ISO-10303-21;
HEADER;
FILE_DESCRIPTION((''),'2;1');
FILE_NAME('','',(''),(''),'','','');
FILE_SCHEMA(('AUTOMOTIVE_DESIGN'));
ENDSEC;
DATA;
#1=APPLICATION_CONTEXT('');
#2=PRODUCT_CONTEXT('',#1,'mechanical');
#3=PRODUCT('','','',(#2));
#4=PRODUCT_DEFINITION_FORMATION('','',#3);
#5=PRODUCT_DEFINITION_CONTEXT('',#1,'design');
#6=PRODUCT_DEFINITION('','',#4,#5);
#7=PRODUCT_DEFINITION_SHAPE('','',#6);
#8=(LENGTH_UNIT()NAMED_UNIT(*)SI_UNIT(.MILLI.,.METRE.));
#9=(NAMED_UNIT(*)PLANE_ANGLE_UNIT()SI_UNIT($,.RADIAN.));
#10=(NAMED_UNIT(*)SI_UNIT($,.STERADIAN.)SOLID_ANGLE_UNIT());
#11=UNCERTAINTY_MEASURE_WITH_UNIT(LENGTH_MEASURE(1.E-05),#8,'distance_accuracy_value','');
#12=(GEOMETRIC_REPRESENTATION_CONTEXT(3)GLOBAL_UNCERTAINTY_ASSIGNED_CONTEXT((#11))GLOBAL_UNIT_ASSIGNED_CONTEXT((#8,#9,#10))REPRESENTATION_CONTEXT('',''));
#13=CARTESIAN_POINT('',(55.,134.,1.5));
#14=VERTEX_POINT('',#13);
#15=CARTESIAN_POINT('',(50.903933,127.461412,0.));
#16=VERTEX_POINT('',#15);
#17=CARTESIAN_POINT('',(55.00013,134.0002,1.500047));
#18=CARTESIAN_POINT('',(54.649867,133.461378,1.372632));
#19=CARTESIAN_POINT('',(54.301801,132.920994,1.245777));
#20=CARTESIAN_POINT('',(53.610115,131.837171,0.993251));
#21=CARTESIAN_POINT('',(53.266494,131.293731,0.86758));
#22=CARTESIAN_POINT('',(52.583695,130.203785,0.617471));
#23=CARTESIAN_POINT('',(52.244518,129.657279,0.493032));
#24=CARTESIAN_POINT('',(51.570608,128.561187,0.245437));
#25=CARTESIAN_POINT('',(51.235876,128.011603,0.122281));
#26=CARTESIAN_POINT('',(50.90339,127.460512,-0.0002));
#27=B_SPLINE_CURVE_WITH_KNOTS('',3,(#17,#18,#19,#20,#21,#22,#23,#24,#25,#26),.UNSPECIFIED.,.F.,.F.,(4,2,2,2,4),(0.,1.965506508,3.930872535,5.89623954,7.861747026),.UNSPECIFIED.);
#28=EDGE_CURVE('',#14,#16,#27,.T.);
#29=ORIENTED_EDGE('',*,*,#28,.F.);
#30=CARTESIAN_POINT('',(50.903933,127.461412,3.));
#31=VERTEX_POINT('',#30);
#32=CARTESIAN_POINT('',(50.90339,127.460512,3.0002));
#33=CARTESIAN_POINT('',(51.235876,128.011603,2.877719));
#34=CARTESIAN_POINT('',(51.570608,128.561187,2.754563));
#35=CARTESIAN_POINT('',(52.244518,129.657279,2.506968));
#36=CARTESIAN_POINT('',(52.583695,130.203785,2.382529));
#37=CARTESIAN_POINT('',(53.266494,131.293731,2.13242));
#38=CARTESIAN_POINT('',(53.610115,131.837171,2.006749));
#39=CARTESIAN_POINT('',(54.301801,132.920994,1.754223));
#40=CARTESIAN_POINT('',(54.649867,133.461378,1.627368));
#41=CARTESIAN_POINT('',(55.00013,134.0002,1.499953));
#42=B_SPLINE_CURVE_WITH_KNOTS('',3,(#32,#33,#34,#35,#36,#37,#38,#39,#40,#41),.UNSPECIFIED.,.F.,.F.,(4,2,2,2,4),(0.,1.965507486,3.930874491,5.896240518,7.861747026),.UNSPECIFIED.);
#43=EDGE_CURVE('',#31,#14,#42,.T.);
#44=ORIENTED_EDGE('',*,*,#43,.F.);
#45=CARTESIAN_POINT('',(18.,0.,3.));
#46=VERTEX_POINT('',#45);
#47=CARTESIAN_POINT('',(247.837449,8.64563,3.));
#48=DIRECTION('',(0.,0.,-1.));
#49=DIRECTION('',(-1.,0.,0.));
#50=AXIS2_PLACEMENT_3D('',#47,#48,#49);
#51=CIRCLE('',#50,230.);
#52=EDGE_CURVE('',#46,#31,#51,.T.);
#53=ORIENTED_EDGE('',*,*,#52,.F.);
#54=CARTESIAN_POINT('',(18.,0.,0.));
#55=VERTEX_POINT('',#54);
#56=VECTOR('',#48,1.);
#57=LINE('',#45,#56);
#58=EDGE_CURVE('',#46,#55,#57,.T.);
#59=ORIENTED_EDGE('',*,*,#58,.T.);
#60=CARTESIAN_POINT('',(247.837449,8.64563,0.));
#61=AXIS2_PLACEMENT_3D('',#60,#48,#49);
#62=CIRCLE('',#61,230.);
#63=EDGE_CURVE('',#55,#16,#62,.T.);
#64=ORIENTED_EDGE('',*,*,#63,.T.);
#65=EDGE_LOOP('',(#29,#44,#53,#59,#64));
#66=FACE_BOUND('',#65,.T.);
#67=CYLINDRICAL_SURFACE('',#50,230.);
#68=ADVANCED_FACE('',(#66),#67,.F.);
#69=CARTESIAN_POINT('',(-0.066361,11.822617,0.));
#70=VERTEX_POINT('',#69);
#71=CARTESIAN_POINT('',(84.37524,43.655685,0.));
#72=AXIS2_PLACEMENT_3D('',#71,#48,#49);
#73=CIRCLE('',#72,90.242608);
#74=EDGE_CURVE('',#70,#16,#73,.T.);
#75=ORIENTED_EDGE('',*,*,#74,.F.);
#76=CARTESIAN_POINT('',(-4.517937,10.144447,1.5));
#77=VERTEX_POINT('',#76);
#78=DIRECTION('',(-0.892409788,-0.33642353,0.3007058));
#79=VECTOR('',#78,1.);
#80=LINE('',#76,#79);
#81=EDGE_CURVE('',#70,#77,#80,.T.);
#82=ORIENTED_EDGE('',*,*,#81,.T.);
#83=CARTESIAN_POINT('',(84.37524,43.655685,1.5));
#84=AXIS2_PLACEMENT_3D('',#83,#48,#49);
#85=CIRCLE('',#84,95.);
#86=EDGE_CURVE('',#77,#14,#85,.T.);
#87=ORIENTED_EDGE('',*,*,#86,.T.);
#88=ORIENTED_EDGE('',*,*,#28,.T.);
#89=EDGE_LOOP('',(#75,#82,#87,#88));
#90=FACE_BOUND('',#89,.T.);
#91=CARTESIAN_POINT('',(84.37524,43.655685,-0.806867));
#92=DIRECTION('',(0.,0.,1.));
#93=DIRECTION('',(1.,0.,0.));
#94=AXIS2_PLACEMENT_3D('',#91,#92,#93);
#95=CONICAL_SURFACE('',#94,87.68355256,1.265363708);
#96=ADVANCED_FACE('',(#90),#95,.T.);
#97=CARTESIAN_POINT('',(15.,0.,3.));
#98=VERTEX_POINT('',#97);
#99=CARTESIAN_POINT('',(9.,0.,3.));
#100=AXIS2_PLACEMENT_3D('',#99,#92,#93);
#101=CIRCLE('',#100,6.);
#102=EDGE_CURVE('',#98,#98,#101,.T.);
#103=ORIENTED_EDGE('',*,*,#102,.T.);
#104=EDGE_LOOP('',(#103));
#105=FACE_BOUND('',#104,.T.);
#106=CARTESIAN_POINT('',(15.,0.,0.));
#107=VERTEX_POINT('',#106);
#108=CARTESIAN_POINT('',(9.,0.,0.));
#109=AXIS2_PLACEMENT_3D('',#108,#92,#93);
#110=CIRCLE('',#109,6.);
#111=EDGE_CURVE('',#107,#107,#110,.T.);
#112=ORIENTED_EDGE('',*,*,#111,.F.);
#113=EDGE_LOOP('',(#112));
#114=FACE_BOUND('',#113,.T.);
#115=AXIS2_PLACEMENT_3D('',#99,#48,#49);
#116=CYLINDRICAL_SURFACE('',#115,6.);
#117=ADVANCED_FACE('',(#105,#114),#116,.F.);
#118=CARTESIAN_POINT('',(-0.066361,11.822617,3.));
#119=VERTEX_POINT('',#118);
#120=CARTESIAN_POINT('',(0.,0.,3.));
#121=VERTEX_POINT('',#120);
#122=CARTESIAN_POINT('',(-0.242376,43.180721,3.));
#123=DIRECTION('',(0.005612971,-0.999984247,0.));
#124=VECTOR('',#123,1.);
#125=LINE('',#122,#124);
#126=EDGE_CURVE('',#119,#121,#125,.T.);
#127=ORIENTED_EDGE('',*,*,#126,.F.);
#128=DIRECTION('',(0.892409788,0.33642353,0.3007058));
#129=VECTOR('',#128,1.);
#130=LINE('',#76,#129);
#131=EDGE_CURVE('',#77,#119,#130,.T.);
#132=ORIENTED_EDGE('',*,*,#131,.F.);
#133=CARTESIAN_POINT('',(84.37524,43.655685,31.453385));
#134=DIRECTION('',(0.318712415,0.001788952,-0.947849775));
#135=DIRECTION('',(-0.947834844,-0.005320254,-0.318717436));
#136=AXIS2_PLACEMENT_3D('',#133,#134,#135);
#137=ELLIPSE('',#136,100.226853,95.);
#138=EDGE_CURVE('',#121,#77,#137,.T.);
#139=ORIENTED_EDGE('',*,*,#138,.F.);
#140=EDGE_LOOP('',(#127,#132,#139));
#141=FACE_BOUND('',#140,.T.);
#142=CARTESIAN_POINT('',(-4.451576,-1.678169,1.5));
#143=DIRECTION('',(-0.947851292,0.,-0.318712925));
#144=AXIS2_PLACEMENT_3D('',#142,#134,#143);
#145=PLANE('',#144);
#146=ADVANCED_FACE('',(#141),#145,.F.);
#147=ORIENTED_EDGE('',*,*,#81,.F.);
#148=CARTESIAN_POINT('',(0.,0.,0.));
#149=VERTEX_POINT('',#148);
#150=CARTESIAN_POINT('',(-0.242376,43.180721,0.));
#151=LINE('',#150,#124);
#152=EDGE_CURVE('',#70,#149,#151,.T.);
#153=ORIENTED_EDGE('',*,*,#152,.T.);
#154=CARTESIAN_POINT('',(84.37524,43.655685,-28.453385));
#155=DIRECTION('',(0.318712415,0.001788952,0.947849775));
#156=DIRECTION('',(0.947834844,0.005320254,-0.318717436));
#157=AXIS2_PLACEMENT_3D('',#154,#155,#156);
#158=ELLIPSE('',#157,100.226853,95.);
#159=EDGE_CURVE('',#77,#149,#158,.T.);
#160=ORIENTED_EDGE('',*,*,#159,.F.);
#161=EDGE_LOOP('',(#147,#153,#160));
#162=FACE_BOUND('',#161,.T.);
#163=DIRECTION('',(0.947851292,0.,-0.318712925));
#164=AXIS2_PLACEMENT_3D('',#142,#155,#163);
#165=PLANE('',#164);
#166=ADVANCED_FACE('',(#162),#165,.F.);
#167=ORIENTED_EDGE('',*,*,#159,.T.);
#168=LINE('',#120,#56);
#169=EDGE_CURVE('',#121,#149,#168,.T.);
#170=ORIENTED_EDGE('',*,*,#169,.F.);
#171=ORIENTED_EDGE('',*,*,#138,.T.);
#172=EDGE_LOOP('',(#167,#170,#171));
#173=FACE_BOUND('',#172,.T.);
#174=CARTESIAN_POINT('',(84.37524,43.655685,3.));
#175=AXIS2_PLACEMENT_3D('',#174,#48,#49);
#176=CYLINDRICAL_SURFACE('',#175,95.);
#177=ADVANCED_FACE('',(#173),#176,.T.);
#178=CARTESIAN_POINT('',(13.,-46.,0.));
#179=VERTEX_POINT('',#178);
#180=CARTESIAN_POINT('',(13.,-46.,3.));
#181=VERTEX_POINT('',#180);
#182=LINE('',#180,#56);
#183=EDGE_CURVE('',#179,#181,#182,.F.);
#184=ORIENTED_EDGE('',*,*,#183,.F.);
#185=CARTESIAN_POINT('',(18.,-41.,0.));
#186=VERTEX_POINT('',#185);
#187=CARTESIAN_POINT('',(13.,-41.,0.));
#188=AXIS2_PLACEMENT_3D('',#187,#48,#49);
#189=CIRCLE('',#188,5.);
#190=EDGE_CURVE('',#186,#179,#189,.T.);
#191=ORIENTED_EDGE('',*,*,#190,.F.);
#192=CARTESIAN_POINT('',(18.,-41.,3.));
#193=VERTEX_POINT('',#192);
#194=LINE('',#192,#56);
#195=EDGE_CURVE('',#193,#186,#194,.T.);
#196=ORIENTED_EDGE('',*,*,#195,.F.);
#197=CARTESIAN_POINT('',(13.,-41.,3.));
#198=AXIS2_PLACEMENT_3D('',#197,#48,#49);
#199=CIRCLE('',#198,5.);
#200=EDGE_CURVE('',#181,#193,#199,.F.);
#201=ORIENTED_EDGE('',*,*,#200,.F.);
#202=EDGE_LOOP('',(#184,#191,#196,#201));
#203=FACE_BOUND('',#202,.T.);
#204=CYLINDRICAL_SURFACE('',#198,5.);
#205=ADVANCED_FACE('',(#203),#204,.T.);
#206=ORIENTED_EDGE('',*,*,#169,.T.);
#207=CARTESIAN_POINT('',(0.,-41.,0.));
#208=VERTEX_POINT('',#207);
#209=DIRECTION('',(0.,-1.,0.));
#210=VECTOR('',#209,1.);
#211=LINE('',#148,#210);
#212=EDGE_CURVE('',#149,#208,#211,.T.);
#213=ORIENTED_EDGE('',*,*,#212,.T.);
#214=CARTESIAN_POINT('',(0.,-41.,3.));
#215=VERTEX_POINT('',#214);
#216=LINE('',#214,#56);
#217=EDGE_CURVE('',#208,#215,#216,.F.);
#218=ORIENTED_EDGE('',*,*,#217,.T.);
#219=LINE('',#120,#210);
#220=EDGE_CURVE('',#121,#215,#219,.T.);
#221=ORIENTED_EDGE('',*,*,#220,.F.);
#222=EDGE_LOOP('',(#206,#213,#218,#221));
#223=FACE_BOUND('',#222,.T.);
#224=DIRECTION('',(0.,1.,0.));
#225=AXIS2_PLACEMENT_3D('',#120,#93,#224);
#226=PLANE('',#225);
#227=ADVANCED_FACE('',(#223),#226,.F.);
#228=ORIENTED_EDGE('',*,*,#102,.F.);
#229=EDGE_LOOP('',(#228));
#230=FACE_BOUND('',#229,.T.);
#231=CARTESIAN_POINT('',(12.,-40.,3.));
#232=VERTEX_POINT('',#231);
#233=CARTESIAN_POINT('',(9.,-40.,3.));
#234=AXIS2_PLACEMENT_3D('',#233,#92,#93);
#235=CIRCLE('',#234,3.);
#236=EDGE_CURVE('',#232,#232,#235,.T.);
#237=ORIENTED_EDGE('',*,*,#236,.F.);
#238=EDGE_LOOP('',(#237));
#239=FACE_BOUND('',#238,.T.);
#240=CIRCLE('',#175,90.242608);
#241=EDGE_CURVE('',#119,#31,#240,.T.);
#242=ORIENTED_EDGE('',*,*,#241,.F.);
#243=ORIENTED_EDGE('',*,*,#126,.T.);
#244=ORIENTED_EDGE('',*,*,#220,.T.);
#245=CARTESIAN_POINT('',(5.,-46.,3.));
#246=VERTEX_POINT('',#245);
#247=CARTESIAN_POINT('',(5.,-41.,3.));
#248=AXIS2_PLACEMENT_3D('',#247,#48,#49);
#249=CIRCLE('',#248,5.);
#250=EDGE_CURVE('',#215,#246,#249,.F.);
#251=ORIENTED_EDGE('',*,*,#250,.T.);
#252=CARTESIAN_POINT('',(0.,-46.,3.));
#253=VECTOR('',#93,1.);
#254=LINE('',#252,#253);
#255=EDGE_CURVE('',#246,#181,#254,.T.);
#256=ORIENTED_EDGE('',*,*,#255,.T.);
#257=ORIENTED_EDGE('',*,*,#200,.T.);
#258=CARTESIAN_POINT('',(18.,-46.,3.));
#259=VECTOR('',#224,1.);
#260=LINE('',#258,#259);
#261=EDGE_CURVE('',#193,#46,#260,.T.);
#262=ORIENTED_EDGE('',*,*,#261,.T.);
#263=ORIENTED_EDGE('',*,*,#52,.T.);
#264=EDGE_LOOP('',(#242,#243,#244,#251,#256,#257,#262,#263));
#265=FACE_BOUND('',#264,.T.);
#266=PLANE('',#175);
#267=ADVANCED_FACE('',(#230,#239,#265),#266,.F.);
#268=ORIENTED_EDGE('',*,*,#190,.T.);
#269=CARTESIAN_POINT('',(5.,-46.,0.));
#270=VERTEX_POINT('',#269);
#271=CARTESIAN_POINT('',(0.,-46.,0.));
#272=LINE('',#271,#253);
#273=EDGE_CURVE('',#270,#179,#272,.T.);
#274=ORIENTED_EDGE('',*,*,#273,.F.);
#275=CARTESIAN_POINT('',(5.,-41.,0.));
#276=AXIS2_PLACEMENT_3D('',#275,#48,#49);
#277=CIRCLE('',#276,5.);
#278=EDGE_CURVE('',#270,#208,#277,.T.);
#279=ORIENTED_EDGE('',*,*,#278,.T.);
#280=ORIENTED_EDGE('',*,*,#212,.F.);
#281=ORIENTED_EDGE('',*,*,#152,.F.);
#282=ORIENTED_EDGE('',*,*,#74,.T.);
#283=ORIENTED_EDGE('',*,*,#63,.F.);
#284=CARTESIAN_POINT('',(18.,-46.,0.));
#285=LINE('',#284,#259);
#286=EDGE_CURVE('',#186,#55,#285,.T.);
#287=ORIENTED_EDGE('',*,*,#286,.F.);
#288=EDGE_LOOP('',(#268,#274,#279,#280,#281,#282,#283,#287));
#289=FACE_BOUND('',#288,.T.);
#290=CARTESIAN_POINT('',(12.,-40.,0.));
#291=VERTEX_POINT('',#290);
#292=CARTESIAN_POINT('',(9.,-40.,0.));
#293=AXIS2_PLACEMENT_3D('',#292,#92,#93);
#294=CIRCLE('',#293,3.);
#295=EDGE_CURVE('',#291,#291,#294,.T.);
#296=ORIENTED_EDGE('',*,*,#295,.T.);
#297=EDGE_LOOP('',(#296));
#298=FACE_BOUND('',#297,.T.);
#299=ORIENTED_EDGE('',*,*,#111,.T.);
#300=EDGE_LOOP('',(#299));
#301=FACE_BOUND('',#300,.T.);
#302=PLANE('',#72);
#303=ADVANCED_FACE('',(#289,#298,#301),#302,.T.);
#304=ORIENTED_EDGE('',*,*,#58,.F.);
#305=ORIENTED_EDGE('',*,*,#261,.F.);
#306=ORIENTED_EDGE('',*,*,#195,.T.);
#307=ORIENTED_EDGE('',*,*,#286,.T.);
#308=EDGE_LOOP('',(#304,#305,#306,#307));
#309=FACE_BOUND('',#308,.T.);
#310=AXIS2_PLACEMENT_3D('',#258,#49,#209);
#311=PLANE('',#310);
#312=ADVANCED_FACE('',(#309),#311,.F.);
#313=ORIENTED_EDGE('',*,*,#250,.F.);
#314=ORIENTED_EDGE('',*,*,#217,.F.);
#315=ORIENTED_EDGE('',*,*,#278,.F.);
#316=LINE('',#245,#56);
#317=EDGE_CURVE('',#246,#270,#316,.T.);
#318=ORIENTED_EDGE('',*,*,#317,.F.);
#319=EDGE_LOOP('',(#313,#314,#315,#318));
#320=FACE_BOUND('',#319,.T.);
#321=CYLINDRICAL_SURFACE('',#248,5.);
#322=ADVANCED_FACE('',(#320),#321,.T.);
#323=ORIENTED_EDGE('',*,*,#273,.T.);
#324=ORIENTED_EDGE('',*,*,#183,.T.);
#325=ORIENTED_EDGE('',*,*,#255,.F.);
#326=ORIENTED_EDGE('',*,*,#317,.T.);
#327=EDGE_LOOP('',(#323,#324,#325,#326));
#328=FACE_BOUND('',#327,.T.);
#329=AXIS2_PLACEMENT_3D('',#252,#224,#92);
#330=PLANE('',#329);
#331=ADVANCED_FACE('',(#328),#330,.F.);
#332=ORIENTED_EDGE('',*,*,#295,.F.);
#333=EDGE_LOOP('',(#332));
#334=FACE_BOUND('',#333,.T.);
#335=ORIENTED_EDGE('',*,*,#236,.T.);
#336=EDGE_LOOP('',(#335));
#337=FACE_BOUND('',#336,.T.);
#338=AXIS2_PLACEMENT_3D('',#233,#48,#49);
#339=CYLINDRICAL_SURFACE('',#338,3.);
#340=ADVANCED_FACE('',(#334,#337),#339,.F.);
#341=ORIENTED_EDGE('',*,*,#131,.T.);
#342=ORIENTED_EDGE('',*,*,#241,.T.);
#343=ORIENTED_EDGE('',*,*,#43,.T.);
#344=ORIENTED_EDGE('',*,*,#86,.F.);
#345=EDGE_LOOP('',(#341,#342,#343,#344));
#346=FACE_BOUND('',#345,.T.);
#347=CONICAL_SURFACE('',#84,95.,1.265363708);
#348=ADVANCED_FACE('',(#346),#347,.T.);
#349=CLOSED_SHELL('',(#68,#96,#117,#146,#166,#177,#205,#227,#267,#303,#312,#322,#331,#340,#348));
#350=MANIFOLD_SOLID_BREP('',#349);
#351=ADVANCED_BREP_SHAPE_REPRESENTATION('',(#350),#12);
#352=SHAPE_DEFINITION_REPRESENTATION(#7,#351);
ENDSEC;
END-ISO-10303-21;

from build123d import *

# Parameters (mm, degrees)
SKETCH_1_R      = 3
SKETCH_1_R_2    = 6
EXTRUDE_1_DEPTH = 3
FILLET_1_R      = 5


with BuildPart() as part:
    # 草图1 → 凸台-拉伸1 (new body)
    with BuildSketch(Plane.XY):
        with BuildLine():
            Line((0, 0), (0, -46))
            Line((0, -46), (18, -46))
            Line((18, -46), (18, 0))
            ThreePointArc((18, 0), (26.133778881, 69.862314787), (55, 134))
            ThreePointArc((55, 134), (-3.509871984, 79.727932531), (0, 0))
        make_face()
        with Locations((9, -40)):
            Circle(SKETCH_1_R, mode=Mode.SUBTRACT)
        with Locations((9, 0)):
            Circle(SKETCH_1_R_2, mode=Mode.SUBTRACT)
    extrude(amount=EXTRUDE_1_DEPTH)

    # 圆角1
    fillet_1_edges = [part.edges().sort_by_distance(p)[0] for p in [
        (18, -46, 1.5),
        (0, -46, 1.5),
    ]]
    fillet(fillet_1_edges, radius=FILLET_1_R)

    # 切除-扫描5: sweep along a path in 草图14
    with BuildLine(Plane.XY.offset(1.5)) as sweep_5_path:
        ThreePointArc((55, 134), (-1.251298398, 84.80293124), (-4.517936931, 10.144447336))
    # 草图13 → 切除-扫描5 (sweep, cut)
    with BuildSketch(Plane(origin=(89.145258508, 28.985369875, 0), x_dir=(0, 0, 1), z_dir=(-0.9509927898455951, -0.30921305545156413, 0))):
        Polygon((1.5, 110.426315789), (-0.806867017, 103.109868349), (-0.806867017, 111.673722013), (3.806867017, 111.673722013), (3.806867017, 103.109868349), align=None)
    sweep(path=sweep_5_path.line, mode=Mode.SUBTRACT)

    # 切除-扫描6: sweep along a path in 草图16
    with BuildLine(Plane.XY.offset(1.5)) as sweep_6_path:
        Line((-0.066361056, 11.822616816), (0, 0))
    # 草图15 → 切除-扫描6 (sweep, cut)
    with BuildSketch(Plane(origin=(-3.910599214, 10.373403475, 0), x_dir=(0.9357176547303454, 0.3527498697745219, 0), z_dir=(-0.3527498697745219, 0.9357176547303454, 0))):
        Polygon((-2.121804917, 0.787609901), (-2.121804917, -3), (-2.121804917, -3.6210581), (6.078075974, -3.6210581), (-0.649060873, -1.5), (6.606310798, 0.787609901), align=None)
    sweep(path=sweep_6_path.line, mode=Mode.SUBTRACT)


solid = part.part
